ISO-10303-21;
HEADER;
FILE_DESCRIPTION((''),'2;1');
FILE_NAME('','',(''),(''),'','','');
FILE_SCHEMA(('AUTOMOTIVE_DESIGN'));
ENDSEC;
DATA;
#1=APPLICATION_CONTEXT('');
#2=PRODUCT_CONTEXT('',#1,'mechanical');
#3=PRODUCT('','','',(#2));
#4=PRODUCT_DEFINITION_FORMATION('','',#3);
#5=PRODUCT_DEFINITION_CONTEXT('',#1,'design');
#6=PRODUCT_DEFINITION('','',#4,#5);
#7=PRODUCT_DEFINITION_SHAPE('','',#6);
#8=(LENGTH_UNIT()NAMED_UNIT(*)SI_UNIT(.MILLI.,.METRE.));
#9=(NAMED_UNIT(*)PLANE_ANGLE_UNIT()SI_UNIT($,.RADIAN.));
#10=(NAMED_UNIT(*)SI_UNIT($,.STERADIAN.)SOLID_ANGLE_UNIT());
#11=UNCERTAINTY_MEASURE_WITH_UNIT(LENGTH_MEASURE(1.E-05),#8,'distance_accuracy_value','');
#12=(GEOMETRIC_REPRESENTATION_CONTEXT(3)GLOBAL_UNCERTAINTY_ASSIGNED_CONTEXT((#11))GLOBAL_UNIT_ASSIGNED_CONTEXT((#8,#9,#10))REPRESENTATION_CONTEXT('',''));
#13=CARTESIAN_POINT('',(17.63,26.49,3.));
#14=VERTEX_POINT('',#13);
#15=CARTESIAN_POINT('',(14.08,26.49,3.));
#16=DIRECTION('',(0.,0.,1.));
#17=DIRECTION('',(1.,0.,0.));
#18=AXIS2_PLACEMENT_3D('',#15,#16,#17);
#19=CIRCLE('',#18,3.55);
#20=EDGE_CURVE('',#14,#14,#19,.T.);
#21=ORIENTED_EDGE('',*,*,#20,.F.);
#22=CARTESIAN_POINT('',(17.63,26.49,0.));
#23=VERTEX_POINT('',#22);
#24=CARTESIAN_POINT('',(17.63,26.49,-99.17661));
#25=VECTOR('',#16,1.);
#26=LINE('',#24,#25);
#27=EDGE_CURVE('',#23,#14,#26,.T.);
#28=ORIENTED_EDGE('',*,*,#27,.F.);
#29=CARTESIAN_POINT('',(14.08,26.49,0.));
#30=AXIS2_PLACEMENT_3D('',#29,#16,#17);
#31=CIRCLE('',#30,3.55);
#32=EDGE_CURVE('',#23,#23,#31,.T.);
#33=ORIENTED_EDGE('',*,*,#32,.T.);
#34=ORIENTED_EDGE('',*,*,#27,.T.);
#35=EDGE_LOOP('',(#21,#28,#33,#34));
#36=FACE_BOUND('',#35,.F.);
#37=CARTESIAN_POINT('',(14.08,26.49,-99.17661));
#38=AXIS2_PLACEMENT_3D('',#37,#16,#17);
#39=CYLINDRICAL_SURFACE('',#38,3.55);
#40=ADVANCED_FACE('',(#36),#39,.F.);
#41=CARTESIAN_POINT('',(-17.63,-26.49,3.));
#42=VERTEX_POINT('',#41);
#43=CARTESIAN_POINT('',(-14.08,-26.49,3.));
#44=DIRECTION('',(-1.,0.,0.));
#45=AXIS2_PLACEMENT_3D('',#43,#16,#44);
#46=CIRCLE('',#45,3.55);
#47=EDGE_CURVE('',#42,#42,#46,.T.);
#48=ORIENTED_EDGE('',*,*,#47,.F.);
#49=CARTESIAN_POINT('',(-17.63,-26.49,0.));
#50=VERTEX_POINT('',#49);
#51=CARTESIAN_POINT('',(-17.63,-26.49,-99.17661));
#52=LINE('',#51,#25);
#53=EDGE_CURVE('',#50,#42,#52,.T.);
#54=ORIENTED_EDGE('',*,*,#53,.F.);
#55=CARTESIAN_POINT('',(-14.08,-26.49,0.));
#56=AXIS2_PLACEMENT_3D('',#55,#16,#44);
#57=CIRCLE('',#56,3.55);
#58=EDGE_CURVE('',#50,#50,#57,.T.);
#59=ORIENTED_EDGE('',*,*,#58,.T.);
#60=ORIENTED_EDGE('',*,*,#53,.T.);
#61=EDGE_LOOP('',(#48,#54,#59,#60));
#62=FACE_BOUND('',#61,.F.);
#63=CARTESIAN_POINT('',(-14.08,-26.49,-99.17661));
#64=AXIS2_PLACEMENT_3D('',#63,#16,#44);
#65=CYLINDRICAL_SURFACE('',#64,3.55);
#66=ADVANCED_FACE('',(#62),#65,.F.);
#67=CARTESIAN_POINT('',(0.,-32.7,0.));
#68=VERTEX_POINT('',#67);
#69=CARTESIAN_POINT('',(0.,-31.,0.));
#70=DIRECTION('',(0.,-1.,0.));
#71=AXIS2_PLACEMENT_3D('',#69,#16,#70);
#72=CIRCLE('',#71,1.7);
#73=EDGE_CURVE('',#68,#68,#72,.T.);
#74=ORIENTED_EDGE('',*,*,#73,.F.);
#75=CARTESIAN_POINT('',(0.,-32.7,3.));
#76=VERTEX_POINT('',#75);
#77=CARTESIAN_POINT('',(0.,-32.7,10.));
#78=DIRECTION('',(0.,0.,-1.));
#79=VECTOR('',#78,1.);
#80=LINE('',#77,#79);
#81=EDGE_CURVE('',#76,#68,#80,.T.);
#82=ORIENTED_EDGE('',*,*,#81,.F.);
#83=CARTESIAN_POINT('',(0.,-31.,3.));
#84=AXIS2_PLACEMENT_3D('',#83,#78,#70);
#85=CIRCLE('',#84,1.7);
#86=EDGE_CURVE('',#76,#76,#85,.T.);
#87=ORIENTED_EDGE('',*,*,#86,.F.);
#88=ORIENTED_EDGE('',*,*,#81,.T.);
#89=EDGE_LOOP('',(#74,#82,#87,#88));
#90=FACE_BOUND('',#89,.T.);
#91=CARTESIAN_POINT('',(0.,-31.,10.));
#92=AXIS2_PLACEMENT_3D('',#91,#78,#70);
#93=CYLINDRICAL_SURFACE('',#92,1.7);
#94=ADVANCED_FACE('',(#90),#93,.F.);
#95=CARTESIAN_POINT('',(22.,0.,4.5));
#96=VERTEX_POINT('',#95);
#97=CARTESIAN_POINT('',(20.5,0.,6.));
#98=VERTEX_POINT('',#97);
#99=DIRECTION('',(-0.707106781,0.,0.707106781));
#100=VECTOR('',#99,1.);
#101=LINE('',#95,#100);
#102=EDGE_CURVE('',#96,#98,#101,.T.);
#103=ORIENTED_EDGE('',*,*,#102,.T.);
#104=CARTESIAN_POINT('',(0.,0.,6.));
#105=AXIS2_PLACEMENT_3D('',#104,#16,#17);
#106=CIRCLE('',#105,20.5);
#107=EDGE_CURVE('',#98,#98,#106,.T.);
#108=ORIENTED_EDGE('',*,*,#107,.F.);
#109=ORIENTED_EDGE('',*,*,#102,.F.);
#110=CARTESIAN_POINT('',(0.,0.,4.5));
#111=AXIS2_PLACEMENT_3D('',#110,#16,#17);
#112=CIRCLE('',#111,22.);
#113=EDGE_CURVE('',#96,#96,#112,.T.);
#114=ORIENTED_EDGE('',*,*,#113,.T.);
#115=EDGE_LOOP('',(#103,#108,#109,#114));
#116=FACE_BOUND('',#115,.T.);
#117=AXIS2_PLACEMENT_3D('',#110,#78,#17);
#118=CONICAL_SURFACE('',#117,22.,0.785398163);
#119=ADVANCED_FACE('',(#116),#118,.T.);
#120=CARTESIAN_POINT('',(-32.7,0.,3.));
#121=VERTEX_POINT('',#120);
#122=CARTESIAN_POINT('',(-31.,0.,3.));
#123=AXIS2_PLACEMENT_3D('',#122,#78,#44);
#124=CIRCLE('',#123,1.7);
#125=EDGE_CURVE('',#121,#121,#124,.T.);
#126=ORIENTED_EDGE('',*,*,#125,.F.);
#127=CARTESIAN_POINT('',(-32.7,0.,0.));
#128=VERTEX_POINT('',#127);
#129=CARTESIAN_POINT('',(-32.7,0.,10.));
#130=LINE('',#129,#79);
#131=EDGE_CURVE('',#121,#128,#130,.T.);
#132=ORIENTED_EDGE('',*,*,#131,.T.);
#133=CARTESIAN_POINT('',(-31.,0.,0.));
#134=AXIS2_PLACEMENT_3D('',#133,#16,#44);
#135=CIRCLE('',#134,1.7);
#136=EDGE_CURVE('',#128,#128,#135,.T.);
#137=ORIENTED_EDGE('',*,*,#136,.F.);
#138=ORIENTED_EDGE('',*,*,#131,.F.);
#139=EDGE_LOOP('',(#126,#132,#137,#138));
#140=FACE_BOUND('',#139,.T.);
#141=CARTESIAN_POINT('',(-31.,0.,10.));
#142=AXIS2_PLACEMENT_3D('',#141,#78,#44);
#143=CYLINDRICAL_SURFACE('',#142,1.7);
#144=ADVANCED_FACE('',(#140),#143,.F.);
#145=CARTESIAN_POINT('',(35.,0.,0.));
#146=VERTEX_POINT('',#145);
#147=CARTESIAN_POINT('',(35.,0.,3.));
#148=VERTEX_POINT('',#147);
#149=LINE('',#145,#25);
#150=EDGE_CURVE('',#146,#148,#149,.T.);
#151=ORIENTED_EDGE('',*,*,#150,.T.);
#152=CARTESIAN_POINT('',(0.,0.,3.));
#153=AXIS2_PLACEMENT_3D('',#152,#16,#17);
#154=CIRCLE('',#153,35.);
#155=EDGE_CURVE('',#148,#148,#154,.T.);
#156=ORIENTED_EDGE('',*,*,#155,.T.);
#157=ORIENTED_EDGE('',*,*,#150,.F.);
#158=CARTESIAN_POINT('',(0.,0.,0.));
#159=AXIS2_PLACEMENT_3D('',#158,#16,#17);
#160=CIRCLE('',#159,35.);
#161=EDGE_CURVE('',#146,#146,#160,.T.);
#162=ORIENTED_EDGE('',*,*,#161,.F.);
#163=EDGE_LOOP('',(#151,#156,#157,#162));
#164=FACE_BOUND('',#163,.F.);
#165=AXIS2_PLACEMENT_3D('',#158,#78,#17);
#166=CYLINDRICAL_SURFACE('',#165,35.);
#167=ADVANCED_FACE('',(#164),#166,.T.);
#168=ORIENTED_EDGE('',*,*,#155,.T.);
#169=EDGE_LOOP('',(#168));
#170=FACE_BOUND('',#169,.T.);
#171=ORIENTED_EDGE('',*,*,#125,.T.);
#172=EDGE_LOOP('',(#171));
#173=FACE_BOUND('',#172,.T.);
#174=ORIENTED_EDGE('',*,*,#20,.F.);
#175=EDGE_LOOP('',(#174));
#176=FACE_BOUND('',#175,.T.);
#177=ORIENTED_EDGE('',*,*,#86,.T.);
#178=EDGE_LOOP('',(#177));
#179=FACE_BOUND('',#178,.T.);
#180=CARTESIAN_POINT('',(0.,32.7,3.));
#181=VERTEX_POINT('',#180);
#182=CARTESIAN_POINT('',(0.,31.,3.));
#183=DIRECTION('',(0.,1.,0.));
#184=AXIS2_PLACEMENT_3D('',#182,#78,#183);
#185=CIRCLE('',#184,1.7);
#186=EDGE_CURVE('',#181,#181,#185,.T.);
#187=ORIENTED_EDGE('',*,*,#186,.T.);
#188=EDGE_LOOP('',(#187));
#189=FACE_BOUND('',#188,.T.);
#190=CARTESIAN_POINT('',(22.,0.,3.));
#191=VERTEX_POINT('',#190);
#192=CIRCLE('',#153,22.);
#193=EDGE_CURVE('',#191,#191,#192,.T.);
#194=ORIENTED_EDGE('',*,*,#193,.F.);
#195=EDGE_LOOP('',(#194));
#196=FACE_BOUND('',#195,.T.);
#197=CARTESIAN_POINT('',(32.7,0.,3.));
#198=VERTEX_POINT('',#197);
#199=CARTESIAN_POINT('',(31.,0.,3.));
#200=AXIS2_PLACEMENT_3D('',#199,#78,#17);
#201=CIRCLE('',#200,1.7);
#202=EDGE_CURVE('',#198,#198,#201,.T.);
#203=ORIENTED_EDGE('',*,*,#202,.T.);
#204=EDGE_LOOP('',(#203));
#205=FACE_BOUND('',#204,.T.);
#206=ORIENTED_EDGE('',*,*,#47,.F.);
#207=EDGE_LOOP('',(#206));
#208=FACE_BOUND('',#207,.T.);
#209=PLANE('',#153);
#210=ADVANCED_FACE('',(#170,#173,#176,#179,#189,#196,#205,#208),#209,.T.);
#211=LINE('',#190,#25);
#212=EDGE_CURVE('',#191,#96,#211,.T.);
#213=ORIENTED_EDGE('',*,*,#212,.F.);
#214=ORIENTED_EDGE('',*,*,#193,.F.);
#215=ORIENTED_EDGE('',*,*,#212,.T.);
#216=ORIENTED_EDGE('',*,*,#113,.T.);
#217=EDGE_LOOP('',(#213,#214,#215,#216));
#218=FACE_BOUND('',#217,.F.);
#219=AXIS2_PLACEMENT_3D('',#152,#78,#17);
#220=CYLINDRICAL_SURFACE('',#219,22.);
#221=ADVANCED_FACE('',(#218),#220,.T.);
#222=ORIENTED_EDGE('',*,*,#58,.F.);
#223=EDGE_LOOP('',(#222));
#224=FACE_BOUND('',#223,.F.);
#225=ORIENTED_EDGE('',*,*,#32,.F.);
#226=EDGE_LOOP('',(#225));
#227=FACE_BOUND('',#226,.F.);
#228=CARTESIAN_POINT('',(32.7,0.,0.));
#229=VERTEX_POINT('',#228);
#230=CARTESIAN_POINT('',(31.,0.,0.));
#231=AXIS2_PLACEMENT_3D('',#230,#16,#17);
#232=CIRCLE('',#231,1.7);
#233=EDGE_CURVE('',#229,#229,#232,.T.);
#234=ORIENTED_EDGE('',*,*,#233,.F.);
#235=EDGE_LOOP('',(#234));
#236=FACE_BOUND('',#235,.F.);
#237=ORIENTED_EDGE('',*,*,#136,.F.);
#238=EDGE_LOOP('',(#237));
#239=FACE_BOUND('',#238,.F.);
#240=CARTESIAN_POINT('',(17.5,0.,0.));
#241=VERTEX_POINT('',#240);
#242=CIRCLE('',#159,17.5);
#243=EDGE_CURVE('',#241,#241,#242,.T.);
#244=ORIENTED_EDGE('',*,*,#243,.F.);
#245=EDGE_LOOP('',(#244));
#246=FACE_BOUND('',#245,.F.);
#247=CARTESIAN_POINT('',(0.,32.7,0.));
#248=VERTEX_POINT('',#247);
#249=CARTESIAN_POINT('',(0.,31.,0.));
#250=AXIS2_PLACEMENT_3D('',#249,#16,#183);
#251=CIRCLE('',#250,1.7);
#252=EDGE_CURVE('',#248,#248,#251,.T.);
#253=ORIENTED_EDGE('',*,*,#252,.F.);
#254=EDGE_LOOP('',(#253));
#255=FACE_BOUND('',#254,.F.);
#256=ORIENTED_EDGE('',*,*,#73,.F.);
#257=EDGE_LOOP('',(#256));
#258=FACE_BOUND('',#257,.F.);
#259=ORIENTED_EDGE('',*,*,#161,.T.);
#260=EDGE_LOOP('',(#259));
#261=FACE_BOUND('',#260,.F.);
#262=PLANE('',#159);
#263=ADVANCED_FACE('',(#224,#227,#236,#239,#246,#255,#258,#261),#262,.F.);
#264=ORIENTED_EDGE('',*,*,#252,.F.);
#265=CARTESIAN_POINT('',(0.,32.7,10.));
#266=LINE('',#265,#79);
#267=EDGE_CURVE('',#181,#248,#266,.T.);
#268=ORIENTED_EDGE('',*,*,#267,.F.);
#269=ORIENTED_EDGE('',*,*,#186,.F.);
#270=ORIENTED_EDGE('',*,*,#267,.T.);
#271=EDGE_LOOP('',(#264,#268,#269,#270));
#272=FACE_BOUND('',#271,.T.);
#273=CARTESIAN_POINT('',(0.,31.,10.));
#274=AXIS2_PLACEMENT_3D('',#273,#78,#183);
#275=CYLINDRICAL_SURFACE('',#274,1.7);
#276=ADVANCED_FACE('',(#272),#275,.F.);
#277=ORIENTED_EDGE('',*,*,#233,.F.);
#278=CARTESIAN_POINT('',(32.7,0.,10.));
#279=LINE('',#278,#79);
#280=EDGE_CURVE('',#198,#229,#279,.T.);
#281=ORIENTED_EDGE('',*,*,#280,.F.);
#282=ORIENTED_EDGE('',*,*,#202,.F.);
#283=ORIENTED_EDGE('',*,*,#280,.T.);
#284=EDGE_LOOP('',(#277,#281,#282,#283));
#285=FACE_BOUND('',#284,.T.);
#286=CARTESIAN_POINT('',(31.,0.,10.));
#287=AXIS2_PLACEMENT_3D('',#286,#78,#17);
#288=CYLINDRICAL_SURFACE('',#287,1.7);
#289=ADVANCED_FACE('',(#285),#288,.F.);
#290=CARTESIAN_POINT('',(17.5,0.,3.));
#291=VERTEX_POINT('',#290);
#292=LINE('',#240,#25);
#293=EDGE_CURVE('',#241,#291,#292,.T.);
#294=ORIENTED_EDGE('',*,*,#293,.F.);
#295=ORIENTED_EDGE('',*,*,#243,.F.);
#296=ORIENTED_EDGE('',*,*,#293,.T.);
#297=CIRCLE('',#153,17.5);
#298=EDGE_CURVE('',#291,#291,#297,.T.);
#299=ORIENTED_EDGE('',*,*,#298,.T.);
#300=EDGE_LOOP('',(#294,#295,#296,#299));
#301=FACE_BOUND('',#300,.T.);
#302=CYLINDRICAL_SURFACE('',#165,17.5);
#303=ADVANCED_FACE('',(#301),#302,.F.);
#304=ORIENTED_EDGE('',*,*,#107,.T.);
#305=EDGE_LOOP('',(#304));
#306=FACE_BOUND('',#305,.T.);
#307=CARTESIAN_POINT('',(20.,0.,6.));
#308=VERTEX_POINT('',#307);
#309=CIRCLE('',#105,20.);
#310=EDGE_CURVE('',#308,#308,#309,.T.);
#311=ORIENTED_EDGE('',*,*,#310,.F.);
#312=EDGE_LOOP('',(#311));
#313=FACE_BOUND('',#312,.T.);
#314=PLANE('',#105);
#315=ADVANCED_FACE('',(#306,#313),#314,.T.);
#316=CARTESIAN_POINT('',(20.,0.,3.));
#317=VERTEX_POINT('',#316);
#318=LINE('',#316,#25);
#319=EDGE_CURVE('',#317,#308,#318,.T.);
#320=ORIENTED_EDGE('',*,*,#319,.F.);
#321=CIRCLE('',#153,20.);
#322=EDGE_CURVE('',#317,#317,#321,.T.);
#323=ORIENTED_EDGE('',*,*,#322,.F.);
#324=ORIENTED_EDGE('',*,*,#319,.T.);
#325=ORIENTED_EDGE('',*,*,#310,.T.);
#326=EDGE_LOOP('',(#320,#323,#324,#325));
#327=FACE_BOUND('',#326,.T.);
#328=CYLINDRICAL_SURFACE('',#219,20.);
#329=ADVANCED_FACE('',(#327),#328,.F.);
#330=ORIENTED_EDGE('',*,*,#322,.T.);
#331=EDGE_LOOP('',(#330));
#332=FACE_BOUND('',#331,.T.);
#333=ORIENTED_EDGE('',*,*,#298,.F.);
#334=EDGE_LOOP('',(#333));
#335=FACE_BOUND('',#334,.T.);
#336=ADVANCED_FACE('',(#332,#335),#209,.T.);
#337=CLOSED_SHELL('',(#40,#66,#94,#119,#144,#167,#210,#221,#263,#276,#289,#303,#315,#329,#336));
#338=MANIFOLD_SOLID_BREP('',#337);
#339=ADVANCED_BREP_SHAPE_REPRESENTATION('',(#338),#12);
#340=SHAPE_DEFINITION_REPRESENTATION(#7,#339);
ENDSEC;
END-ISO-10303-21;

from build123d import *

# Parameters (mm, degrees)
SKIZZE1_R                        = 35
SKIZZE1_R_2                      = 17.5
AUFSATZ_LINEAR_AUSTRAGEN1_DEPTH  = 3
SKIZZE2_R                        = 22
SKIZZE2_R_2                      = 20
AUFSATZ_LINEAR_AUSTRAGEN2_DEPTH  = 3
FASE1_SIZE                       = 1.5
KREISMUSTER2_COUNT               = 4
F_7_1_7_1_DURCHMESSER_BOHRUNG1_D = 7.1
KREISMUSTER3_COUNT               = 2


with BuildPart() as part:
    # Skizze1 → Aufsatz-Linear austragen1 (new body)
    with BuildSketch(Plane.XY):
        Circle(SKIZZE1_R)
        Circle(SKIZZE1_R_2, mode=Mode.SUBTRACT)
    extrude(amount=AUFSATZ_LINEAR_AUSTRAGEN1_DEPTH)

    # Skizze2 → Aufsatz-Linear austragen2 (add)
    with BuildSketch(Plane.XY.offset(3)):
        Circle(SKIZZE2_R)
        Circle(SKIZZE2_R_2, mode=Mode.SUBTRACT)
    extrude(amount=AUFSATZ_LINEAR_AUSTRAGEN2_DEPTH)

    # Fase1
    fase1_edges = [part.edges().sort_by_distance(p)[0] for p in [
        (-22, 0, 6),
    ]]
    chamfer(fase1_edges, length=FASE1_SIZE)

    # Skizze4 → Ø3.4 (3.4) Durchmesser Bohrung1 (revolve, cut)
    with BuildSketch(Plane(origin=(0, 31, 0), x_dir=(0, 1, 0), z_dir=(1, 0, 0))):
        Polygon((0, 0), (0, 11.021463052), (1.7, 10), (1.7, 0), align=None)
    f_3_4_3_4_durchmesser_bohrung1 = revolve(axis=Axis((0, 31, -6.35), (0, 0, 1)), mode=Mode.SUBTRACT)

    # Kreismuster2: Ø3.4 (3.4) Durchmesser Bohrung1 ×4 about axis
    kreismuster2_axis = Axis((0, 0, 3), (0, 0, -1))
    for i in range(1, KREISMUSTER2_COUNT):
        add(f_3_4_3_4_durchmesser_bohrung1.rotate(kreismuster2_axis, i * 360 / KREISMUSTER2_COUNT), mode=Mode.SUBTRACT)

    # Ø7.1 (7.1) Durchmesser Bohrung1 (through all)
    with Locations(Plane(origin=(0, 0, 0), x_dir=(-1, 0, 0), z_dir=(0, 0, -1))):
        with Locations((-14.08, 26.49)):
            f_7_1_7_1_durchmesser_bohrung1 = Hole(F_7_1_7_1_DURCHMESSER_BOHRUNG1_D / 2)

    # Kreismuster3: Ø7.1 (7.1) Durchmesser Bohrung1 ×2 about axis
    kreismuster3_axis = Axis((0, 0, 0), (0, 0, 1))
    for i in range(1, KREISMUSTER3_COUNT):
        add(f_7_1_7_1_durchmesser_bohrung1.rotate(kreismuster3_axis, i * 360 / KREISMUSTER3_COUNT), mode=Mode.SUBTRACT)


solid = part.part
